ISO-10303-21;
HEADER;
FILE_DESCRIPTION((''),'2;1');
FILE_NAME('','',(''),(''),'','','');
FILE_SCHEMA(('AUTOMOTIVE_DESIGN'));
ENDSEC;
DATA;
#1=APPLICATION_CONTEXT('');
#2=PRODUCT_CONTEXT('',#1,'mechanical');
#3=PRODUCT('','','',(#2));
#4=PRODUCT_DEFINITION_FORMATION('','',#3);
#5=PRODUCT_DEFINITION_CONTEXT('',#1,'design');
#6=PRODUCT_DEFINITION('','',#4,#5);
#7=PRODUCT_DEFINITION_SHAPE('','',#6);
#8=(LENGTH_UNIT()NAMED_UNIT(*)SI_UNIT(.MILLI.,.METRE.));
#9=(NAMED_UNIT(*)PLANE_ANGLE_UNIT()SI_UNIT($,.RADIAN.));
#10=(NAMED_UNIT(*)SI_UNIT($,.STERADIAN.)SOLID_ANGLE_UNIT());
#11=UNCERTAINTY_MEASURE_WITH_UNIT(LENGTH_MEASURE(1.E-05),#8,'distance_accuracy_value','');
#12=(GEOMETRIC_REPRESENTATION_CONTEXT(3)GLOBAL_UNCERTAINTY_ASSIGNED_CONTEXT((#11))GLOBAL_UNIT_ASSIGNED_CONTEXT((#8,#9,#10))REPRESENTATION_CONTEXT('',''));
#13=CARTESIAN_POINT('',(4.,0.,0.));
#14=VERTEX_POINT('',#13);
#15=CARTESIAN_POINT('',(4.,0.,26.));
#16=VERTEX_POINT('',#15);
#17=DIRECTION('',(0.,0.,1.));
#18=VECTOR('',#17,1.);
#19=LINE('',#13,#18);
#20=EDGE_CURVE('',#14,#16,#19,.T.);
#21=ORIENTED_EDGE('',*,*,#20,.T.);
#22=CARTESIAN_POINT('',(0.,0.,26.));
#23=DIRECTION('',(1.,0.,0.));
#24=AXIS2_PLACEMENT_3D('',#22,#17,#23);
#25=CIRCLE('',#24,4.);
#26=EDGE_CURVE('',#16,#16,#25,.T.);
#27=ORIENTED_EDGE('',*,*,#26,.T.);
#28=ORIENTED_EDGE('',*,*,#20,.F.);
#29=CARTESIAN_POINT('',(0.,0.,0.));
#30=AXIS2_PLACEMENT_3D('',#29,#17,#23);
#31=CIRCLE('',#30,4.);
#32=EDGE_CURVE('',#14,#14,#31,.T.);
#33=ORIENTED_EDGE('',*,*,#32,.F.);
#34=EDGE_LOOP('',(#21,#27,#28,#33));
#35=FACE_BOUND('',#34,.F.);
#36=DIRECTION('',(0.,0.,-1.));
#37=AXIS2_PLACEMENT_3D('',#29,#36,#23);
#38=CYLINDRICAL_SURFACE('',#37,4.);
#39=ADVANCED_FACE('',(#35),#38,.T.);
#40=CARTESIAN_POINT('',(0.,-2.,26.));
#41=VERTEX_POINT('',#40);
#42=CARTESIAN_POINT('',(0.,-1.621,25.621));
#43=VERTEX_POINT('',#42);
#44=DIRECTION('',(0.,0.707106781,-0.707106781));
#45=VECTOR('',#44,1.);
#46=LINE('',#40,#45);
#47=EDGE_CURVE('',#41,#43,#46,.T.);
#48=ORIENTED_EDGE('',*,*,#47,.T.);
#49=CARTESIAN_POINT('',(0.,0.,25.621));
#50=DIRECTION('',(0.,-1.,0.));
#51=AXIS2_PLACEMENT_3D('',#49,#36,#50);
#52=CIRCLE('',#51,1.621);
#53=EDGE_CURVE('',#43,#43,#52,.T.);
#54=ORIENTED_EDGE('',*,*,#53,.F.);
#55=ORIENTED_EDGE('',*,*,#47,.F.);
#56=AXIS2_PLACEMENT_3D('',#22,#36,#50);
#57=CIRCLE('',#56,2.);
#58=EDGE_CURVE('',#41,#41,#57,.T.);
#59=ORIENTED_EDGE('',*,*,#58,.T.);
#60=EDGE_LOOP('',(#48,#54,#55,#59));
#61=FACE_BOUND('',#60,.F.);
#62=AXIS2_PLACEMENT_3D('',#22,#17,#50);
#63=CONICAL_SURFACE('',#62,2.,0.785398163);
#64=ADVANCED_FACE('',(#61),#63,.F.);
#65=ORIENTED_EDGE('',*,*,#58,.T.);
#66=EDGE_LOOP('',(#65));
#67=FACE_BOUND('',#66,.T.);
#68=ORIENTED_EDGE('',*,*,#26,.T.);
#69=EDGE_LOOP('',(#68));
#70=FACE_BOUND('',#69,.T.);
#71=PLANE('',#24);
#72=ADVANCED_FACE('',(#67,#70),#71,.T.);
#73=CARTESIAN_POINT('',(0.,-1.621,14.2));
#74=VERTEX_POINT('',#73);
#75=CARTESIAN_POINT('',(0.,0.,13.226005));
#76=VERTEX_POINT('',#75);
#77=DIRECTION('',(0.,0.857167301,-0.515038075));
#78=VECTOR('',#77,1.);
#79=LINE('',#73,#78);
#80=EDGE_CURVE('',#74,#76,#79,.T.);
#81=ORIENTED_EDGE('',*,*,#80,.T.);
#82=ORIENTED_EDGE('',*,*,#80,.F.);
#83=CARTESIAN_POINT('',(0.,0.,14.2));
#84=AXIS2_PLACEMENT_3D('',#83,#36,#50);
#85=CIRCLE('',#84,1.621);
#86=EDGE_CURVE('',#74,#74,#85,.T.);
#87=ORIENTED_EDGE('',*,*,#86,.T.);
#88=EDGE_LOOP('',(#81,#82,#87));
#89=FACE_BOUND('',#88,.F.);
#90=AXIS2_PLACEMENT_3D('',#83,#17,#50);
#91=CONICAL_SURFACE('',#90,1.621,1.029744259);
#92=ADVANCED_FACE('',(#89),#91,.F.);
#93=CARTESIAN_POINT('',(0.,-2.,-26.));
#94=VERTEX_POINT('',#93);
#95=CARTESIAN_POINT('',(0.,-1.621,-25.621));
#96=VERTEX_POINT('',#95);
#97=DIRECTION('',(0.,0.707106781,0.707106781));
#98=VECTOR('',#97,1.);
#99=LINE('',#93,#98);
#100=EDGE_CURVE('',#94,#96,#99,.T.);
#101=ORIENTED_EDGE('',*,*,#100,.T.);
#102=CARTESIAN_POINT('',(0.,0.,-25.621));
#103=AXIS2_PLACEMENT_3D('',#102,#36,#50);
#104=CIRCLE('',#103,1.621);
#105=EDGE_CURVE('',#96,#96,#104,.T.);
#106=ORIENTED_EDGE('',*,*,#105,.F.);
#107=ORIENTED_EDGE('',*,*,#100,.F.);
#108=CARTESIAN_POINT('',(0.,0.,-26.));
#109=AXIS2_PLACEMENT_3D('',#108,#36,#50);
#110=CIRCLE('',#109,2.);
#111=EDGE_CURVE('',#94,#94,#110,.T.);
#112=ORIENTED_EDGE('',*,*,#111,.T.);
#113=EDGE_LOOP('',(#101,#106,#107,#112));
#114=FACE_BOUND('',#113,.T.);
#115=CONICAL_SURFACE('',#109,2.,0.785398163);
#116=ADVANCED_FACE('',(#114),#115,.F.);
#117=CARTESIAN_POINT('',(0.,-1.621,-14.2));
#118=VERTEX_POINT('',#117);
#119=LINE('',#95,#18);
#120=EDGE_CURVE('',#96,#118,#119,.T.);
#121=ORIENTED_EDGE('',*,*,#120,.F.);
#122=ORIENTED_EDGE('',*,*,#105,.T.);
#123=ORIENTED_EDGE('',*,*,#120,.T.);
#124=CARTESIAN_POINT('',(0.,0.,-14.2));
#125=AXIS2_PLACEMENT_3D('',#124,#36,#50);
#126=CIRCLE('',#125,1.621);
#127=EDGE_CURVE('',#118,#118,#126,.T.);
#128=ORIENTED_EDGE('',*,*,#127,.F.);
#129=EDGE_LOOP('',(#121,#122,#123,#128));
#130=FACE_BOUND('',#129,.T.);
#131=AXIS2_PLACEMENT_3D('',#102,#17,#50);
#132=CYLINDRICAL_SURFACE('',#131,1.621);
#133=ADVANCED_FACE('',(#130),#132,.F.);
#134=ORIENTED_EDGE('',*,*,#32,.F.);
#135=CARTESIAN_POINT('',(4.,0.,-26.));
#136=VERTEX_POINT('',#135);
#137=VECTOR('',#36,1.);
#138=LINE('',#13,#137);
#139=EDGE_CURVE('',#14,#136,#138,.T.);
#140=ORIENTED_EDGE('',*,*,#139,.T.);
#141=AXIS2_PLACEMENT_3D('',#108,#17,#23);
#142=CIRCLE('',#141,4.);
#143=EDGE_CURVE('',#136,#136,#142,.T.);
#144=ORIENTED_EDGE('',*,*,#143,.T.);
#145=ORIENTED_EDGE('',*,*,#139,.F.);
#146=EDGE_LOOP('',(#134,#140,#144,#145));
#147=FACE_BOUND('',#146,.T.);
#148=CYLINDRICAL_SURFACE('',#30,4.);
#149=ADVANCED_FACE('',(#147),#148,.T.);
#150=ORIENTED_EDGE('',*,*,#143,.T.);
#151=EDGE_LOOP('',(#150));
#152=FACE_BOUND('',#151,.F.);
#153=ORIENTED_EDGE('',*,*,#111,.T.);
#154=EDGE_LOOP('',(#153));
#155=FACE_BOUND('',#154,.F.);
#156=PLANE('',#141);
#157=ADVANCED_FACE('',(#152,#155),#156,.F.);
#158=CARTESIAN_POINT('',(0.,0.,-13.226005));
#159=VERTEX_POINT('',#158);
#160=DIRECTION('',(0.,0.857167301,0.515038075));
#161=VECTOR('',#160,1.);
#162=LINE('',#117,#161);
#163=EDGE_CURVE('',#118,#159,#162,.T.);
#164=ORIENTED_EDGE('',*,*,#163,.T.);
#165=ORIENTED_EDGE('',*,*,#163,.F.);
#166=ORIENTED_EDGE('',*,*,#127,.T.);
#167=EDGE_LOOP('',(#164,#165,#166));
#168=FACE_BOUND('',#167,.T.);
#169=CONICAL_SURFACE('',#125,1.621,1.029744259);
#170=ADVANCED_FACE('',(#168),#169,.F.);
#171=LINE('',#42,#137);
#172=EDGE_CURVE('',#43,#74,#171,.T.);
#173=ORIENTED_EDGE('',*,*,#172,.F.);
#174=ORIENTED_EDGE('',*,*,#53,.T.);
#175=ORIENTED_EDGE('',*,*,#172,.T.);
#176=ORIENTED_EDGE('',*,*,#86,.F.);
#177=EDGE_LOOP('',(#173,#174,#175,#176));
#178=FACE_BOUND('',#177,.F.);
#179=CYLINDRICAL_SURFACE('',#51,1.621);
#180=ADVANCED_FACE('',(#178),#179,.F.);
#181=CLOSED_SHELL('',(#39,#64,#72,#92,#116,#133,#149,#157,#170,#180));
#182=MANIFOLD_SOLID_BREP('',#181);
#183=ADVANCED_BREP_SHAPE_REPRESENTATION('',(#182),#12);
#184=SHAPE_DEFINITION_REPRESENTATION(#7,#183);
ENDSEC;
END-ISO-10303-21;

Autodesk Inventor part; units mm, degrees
ref_plane "YZ Plane" through (0, 0, 0) normal (1, 0, 0) x (0, 1, 0)
ref_plane "XZ Plane" through (0, 0, 0) normal (0, 1, 0) x (-1, 0, 0)
ref_plane "XY Plane" through (0, 0, 0) normal (0, 0, 1) x (1, 0, 0)
sketch "Sketch1" plane through (0, 0, 0) normal (0, 0, 1) x (1, 0, 0)
  circle A0 centre (0, 0) radius 4
  dimension "d0" = 8
extrude "Extrusion1" add sketch "Sketch1" along normal mid plane 52
sketch "Sketch2" plane through (0, 0, 26) normal (0, 0, 1) x (1, 0, 0)
  point P0 (0, 0)
  point P1 (0, 0)
hole "Hole1" at (0, 0, 26) direction (0, 0, -1) diameter 3.242 depth 11.8 tip angle 118 countersink diameter 4 countersink angle 90 thread size "M4x0.7" class "6H" standard "ANSI Metric M Profile"
mirror "Mirror1" about plane through (0, 0, 0) normal (0, 0, 1) of "Hole1"
properties part number "vul as platen"
